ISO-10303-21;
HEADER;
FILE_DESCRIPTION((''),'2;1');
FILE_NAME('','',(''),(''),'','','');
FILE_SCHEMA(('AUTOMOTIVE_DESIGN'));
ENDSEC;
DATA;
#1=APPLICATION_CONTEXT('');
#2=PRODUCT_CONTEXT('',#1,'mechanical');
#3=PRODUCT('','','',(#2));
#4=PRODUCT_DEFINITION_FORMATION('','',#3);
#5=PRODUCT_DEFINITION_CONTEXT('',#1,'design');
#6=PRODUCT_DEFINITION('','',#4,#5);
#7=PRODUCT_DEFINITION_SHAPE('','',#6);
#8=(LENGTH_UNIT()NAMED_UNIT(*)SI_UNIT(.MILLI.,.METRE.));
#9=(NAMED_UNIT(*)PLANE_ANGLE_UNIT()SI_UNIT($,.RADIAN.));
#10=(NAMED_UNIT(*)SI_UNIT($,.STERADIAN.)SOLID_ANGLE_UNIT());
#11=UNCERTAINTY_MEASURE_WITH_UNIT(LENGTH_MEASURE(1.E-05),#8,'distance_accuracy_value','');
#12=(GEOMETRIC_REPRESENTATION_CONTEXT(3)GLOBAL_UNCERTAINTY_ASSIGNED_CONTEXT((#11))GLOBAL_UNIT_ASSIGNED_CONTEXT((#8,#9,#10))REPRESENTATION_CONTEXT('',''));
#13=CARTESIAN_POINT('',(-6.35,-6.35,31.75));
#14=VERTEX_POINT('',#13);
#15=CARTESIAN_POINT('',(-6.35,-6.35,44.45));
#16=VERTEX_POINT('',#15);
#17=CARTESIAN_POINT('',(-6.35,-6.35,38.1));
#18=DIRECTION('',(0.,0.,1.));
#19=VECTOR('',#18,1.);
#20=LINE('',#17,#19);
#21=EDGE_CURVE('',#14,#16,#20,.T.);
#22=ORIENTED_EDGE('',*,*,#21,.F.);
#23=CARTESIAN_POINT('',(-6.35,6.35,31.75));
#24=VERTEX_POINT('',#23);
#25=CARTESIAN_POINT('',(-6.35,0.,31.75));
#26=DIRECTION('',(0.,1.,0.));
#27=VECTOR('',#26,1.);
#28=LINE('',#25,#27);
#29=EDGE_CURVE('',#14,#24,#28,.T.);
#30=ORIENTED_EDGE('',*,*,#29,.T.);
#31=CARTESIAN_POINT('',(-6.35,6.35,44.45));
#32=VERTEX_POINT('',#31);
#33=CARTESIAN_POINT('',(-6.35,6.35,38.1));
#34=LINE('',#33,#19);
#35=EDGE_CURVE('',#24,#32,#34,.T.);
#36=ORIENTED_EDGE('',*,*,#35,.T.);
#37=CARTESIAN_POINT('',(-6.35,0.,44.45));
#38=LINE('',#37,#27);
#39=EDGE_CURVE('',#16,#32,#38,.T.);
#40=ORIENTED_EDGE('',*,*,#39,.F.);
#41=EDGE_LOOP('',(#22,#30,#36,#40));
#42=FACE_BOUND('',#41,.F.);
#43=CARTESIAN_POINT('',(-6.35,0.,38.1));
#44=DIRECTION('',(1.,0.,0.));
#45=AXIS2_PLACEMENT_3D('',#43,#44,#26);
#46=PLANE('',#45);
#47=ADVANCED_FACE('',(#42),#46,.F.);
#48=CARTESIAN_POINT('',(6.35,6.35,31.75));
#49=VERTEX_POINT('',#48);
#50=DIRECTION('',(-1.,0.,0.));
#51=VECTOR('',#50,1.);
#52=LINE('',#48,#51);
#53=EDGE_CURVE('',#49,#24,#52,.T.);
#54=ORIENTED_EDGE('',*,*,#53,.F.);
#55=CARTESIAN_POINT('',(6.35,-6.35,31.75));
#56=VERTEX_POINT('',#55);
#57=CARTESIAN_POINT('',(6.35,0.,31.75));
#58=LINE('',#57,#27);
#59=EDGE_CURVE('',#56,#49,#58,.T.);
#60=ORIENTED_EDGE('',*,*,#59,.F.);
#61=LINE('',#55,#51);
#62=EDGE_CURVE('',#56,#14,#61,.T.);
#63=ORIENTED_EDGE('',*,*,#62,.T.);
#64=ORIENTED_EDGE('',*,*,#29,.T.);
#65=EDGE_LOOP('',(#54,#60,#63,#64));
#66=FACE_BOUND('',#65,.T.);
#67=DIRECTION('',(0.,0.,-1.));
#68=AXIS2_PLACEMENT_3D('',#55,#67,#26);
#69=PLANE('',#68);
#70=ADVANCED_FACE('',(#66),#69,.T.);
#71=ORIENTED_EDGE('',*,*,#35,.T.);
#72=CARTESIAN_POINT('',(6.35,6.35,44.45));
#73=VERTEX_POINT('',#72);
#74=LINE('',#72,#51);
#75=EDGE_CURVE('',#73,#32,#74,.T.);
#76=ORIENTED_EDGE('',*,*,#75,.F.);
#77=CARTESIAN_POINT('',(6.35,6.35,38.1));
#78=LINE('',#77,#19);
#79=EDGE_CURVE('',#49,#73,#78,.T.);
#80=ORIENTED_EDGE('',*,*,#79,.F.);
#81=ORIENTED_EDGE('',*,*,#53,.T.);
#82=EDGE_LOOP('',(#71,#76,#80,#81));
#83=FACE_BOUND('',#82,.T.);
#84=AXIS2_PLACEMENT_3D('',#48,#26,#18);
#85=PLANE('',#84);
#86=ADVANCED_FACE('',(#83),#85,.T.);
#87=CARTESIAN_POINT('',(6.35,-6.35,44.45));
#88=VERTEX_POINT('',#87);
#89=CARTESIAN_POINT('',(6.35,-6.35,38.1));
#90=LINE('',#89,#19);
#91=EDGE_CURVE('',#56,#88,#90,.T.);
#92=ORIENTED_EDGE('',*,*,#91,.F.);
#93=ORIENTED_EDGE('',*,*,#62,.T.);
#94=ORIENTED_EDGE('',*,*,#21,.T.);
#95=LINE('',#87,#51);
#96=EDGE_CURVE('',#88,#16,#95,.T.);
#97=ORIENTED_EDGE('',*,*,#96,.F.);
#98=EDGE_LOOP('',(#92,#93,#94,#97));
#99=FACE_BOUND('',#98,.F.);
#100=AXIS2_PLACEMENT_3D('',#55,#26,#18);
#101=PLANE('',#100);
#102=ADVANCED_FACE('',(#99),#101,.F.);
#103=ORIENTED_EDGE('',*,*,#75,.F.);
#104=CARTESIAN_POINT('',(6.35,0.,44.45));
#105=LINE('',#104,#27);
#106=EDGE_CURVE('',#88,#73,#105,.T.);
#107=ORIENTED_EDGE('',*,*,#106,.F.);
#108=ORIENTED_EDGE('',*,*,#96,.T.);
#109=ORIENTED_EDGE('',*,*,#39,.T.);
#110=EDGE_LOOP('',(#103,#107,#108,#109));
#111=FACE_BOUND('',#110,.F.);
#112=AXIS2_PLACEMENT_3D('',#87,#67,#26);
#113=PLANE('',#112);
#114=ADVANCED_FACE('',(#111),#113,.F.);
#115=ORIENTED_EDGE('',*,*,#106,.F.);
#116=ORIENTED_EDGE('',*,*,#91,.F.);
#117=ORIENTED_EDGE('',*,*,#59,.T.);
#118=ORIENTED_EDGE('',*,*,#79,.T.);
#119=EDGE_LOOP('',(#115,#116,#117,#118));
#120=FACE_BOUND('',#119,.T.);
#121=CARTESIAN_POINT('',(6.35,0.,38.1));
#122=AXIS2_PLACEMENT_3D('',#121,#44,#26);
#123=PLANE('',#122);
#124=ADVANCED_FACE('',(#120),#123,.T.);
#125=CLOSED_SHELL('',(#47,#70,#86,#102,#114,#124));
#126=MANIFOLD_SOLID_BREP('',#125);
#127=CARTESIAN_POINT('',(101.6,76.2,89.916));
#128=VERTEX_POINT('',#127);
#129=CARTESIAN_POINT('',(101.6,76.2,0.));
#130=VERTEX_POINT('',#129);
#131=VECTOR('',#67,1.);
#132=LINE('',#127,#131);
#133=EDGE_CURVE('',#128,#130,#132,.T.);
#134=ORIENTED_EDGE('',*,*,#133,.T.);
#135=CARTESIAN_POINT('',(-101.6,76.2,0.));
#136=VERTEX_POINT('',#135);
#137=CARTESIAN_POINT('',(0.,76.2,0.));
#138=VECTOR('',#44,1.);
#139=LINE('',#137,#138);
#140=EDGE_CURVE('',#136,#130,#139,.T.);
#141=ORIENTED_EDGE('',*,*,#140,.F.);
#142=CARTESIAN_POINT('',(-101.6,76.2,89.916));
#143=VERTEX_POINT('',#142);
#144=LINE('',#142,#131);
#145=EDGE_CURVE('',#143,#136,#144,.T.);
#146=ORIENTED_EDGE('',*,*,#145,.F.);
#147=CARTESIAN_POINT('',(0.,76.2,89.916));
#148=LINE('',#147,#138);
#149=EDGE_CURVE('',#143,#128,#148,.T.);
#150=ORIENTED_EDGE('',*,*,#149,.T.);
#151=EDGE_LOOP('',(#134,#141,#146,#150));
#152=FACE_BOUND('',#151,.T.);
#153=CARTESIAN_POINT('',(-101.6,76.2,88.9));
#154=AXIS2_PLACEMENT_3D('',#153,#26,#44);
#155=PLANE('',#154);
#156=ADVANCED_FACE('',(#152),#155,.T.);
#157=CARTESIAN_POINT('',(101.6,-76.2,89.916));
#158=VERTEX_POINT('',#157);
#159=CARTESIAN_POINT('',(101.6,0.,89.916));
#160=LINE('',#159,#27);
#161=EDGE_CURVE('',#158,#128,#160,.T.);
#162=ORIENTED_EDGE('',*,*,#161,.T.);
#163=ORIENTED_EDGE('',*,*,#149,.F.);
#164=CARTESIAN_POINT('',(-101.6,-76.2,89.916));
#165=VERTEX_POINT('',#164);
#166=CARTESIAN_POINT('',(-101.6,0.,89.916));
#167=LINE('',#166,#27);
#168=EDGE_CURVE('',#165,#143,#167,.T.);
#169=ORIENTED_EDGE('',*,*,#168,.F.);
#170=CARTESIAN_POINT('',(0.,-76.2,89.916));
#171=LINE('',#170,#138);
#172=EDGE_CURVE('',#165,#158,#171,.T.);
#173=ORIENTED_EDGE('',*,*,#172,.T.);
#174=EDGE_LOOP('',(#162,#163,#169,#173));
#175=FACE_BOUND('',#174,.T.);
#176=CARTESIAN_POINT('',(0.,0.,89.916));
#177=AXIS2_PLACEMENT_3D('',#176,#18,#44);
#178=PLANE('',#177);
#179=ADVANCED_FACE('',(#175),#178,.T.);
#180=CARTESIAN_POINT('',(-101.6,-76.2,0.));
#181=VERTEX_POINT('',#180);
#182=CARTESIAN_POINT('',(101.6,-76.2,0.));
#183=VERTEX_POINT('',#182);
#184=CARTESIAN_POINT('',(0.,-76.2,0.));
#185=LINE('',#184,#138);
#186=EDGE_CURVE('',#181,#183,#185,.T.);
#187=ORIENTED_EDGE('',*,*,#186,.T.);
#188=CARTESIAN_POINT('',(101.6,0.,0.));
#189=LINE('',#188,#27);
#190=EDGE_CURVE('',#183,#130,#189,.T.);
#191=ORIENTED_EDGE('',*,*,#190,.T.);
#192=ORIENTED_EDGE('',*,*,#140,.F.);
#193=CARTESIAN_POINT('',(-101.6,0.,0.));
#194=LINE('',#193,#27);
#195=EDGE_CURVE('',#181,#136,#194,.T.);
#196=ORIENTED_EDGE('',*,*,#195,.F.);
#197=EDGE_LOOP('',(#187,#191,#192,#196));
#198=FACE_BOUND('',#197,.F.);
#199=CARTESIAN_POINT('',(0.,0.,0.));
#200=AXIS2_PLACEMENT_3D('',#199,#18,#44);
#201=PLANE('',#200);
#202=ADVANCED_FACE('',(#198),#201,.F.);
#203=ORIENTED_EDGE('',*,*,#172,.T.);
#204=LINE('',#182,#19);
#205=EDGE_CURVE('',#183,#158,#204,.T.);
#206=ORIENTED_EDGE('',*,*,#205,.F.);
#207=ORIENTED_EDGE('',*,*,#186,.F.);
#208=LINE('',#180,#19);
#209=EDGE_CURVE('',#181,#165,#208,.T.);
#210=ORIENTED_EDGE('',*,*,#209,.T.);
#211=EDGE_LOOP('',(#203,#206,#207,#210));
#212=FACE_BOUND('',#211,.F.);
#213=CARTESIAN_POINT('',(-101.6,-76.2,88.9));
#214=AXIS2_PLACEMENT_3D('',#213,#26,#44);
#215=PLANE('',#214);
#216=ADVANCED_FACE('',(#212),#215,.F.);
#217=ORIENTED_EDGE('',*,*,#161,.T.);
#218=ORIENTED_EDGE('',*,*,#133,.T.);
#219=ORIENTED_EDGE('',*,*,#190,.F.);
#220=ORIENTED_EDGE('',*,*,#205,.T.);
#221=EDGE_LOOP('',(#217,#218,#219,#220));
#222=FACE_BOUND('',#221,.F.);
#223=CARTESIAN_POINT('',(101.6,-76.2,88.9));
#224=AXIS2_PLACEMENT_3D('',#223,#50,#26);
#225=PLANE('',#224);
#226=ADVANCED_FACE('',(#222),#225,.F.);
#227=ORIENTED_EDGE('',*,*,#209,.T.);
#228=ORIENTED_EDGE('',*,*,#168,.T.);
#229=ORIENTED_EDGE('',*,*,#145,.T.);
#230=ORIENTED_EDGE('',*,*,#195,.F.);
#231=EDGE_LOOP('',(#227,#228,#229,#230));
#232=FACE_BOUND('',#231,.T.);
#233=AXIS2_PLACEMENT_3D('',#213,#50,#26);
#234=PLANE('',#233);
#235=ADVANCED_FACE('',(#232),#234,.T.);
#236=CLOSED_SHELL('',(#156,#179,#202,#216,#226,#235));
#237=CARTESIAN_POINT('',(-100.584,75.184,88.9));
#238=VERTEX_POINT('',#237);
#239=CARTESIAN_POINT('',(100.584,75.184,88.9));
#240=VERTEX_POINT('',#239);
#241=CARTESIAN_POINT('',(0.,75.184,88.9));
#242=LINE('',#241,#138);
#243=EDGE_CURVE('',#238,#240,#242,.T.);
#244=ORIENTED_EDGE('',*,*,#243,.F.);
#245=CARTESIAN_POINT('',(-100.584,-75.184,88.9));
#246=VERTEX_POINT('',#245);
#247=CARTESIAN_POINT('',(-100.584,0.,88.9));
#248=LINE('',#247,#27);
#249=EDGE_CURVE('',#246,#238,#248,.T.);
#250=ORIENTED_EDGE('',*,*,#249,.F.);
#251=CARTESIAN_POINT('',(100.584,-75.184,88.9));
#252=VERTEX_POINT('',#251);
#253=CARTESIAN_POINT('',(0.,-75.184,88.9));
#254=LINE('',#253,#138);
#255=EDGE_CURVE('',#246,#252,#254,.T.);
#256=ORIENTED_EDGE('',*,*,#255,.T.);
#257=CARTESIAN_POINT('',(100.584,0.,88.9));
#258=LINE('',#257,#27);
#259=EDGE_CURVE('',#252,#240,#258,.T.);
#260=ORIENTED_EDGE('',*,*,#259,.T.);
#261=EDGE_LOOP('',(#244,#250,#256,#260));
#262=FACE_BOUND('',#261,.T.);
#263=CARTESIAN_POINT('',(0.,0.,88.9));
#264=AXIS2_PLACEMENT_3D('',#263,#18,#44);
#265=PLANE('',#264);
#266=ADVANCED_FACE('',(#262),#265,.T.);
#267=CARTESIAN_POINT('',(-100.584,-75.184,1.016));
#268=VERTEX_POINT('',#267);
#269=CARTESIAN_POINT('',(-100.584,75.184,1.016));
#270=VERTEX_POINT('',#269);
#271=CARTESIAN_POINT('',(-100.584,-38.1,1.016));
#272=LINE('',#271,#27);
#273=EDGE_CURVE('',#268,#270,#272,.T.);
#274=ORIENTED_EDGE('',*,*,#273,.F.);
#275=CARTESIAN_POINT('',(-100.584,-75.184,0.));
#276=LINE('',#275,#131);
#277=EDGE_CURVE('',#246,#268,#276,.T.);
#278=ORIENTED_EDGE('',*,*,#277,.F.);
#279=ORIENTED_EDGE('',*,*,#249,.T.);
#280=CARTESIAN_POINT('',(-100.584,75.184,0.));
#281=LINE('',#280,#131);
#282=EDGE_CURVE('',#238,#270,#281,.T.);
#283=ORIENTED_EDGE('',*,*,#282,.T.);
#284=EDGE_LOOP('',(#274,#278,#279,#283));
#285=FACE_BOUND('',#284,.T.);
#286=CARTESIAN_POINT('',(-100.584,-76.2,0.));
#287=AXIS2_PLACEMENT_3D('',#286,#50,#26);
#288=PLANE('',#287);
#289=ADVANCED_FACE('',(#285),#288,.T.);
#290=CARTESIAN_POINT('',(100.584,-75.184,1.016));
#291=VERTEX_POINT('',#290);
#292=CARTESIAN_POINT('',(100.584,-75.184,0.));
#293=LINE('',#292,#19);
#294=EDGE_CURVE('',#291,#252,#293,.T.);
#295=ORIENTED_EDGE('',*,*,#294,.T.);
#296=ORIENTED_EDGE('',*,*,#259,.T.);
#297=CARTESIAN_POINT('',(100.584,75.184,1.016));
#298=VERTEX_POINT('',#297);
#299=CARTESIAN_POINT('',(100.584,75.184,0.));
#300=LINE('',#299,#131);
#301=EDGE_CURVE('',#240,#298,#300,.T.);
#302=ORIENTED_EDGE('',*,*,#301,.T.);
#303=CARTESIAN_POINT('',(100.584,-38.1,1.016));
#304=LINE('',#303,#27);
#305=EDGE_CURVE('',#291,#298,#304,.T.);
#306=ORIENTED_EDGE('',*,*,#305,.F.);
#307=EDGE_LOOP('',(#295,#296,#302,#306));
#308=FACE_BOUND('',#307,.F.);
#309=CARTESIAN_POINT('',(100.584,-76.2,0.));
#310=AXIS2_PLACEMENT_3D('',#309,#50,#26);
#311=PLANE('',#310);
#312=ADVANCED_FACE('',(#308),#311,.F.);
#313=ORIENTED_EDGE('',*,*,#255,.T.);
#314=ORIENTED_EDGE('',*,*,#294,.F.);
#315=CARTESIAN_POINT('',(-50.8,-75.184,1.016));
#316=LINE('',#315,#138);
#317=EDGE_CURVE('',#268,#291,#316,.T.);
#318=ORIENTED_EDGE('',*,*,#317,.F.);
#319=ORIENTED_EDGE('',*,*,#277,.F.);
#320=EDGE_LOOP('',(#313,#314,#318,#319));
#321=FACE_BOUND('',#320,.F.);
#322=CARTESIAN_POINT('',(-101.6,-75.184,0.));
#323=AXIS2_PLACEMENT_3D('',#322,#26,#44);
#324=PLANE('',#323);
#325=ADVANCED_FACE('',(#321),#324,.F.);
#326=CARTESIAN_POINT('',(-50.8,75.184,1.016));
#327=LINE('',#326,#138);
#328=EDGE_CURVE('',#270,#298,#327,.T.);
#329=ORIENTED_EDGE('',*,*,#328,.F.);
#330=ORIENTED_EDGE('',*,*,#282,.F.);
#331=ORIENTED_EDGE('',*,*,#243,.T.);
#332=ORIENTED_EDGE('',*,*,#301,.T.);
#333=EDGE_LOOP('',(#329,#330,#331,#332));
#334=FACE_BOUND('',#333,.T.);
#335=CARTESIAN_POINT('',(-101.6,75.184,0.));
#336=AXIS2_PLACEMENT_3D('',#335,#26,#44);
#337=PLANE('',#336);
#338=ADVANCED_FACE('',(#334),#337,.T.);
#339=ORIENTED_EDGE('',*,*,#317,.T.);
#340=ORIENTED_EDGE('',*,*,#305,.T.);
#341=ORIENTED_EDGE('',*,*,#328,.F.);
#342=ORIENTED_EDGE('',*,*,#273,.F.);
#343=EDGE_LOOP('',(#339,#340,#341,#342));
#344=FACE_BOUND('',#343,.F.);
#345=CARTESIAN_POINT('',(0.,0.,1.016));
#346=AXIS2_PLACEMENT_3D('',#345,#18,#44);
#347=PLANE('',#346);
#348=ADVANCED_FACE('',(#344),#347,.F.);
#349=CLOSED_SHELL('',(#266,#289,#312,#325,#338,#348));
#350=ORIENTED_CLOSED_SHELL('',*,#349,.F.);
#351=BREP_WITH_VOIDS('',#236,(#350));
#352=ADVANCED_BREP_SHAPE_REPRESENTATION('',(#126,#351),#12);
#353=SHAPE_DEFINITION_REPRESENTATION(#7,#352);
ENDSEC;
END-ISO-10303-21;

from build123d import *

# Parameters (mm, degrees)
F0_W     = 203.2
F0_H     = 152.4
F1_DEPTH = 88.9
F2_T     = -1.016
F3_W     = 203.2
F3_H     = 152.4
F4_DEPTH = 1.016
F6_W     = 12.7
F6_H     = 12.7
F7_DEPTH = 12.7


with BuildPart() as f1:
    # F0 (on Top) → F1 (new body)
    with BuildSketch(Plane.XY):
        Rectangle(F0_W, F0_H)
    extrude(amount=F1_DEPTH)

    # F2
    f2_openings = [f1.faces().sort_by_distance(p)[0] for p in [
        (0, 0, 88.9),
    ]]
    offset(amount=F2_T, openings=f2_openings)

    # F3 (on face) → F4 (join)
    with BuildSketch(Plane.XY.offset(88.9)):
        Rectangle(F3_W, F3_H)
    extrude(amount=F4_DEPTH)


with BuildPart() as f7:
    # F6 (on offset) → F7 (new body)
    with BuildSketch(Plane.YZ.offset(6.35)):
        with Locations((0, 38.1)):
            Rectangle(F6_W, F6_H)
    extrude(amount=-F7_DEPTH)


solid = Compound([f1.part, f7.part])
